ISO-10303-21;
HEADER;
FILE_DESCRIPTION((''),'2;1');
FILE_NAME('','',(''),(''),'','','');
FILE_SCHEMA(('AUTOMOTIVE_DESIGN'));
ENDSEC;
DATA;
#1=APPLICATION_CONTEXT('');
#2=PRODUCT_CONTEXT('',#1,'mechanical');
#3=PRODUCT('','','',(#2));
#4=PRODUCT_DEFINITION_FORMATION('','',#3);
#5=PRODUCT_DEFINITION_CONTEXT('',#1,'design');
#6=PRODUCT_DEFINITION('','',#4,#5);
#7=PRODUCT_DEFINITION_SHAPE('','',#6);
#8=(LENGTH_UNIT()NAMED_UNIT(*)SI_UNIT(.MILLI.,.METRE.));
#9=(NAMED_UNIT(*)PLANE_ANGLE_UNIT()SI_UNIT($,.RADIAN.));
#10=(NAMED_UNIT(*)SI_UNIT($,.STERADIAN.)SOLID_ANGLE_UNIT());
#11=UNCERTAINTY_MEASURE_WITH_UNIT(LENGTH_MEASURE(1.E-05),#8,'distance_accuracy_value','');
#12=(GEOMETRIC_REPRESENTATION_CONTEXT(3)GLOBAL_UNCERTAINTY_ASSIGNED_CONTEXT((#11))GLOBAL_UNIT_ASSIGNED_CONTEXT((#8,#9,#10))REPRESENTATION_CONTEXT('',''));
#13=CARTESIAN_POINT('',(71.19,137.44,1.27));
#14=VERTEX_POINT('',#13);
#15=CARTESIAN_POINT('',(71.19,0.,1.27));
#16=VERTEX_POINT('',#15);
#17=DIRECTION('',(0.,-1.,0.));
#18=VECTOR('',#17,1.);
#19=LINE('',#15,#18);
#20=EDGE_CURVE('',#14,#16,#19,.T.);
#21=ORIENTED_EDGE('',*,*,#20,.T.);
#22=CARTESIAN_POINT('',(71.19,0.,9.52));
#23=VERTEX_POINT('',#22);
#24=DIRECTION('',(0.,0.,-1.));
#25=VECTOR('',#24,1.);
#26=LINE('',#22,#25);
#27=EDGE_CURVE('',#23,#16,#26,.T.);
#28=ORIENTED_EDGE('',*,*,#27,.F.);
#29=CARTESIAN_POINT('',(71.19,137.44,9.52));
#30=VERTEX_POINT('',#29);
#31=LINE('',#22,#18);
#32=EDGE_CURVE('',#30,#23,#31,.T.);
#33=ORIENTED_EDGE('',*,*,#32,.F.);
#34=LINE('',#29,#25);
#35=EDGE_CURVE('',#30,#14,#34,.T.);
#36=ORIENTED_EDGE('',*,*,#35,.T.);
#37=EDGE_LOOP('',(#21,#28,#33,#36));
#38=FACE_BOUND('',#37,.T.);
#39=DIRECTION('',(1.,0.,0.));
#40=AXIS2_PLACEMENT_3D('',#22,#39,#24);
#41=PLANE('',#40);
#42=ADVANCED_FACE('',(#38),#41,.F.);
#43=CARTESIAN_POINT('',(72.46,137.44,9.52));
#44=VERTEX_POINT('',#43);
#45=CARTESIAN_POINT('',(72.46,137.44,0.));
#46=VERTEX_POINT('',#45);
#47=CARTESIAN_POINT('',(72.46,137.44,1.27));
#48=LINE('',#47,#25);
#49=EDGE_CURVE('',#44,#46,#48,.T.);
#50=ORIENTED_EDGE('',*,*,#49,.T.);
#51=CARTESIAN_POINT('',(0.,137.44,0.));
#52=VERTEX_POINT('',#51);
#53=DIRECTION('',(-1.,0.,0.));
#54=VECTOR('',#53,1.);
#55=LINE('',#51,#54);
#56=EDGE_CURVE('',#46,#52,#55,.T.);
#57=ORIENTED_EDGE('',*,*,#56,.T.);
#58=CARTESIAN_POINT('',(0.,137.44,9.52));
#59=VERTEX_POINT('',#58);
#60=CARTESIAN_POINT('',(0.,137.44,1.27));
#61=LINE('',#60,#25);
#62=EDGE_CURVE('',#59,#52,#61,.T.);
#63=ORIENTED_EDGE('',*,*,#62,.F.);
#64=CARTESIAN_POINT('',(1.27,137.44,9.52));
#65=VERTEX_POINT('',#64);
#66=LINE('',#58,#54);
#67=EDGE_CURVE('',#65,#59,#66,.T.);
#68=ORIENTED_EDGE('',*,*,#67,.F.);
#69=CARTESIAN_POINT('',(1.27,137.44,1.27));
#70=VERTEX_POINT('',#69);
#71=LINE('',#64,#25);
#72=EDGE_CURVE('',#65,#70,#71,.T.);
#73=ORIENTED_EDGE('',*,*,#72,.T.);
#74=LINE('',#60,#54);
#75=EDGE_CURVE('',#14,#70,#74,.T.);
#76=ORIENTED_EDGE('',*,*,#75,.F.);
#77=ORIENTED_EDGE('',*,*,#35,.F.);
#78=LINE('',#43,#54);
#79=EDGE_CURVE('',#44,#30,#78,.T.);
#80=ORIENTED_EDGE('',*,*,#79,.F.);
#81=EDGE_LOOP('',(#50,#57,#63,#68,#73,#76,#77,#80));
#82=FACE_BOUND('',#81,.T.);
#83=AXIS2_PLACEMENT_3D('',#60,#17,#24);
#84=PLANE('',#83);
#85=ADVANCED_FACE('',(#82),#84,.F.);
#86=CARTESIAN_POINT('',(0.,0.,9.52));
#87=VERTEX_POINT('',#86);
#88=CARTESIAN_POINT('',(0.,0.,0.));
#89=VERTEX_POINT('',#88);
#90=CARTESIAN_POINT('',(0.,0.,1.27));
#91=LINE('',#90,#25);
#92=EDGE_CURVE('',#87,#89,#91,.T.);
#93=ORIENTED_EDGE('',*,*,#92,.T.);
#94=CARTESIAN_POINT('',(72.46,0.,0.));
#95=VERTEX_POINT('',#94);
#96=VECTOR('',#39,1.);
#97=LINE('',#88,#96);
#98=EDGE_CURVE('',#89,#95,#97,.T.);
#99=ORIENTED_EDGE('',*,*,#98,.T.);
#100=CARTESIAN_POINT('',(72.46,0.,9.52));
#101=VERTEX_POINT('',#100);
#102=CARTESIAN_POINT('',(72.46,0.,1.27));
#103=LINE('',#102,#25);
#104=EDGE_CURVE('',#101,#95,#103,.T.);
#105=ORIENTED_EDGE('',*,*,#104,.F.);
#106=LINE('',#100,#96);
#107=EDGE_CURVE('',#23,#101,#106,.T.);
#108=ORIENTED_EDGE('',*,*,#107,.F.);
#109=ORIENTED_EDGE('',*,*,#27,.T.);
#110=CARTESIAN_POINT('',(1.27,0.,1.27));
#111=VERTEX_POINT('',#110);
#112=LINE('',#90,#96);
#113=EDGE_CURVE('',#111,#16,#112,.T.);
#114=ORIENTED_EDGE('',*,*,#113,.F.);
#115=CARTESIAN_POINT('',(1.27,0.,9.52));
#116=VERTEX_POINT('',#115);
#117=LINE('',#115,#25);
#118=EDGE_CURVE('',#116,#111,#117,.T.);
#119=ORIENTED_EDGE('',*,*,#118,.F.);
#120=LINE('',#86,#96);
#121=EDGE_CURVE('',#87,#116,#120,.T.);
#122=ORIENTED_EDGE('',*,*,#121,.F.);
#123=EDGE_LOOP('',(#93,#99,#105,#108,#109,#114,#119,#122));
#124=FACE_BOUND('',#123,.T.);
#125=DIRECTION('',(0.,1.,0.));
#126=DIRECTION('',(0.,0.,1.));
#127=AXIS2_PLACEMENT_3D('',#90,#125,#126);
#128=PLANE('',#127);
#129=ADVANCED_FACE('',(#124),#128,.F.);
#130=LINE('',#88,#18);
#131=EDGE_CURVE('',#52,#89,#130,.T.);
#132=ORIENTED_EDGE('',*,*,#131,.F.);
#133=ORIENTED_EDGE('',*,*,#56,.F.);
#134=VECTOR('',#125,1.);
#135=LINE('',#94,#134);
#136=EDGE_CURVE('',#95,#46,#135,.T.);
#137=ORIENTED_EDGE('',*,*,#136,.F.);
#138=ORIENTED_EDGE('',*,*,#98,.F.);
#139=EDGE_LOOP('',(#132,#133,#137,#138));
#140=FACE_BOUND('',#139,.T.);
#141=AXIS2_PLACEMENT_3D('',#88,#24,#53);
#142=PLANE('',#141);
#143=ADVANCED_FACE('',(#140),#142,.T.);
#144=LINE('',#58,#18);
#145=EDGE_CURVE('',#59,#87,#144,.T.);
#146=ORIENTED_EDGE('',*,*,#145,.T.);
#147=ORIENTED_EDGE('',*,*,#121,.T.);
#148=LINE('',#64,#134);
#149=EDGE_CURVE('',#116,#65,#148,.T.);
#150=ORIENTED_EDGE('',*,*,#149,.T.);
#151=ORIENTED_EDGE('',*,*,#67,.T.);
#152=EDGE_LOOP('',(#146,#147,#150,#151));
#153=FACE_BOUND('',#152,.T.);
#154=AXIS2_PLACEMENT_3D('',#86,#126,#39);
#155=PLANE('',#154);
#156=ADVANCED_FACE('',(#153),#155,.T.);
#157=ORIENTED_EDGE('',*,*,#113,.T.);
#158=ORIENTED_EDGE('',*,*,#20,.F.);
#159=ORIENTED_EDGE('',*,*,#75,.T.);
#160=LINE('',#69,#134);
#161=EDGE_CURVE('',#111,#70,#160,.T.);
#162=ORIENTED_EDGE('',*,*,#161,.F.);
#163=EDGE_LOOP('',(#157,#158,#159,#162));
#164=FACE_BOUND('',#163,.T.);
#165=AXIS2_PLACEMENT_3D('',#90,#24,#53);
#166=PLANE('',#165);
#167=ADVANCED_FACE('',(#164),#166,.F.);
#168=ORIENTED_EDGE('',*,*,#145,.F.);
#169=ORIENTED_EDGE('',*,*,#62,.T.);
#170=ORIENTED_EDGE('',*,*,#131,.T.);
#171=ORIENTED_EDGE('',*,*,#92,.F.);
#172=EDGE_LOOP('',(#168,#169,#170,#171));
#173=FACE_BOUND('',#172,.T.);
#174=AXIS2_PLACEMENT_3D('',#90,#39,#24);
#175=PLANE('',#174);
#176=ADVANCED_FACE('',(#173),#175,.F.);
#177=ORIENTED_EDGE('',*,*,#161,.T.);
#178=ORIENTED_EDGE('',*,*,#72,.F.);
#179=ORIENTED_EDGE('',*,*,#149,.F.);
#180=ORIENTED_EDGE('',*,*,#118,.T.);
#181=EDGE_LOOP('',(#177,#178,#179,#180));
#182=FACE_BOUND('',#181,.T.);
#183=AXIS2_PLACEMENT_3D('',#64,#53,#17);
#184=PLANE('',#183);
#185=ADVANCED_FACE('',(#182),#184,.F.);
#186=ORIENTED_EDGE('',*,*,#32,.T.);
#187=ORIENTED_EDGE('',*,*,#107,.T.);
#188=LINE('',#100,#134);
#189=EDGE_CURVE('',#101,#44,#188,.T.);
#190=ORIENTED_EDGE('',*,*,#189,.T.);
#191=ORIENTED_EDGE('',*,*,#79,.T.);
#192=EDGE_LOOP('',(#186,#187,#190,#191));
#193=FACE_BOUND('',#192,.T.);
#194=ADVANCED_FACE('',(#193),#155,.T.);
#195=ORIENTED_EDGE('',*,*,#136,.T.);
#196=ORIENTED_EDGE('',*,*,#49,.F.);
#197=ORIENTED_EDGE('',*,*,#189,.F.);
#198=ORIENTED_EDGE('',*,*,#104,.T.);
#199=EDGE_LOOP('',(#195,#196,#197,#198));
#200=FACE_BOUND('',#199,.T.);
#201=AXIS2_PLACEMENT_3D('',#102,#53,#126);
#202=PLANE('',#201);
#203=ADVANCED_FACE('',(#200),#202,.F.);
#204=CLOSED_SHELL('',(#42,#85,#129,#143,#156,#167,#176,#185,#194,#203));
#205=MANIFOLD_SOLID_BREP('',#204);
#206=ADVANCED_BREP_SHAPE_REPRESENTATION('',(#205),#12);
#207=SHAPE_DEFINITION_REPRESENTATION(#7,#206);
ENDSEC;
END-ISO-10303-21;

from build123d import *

# Parameters (mm, degrees)
SKETCH1_W           = 72.46
SKETCH1_H           = 137.44
BOSS_EXTRUDE1_DEPTH = 1.27
SKETCH2_W           = 1.27
SKETCH2_H           = 137.44
BOSS_EXTRUDE2_DEPTH = 8.25


with BuildPart() as part:
    # Sketch1 → Boss-Extrude1 (new body)
    with BuildSketch(Plane.XY):
        with Locations((36.23, 68.72)):
            Rectangle(SKETCH1_W, SKETCH1_H)
    extrude(amount=BOSS_EXTRUDE1_DEPTH)

    # Sketch2 → Boss-Extrude2 (add)
    with BuildSketch(Plane.XY.offset(1.27)):
        with Locations((0.635, 68.72)):
            Rectangle(SKETCH2_W, SKETCH2_H)
        with Locations((71.825, 68.72)):
            Rectangle(SKETCH2_W, SKETCH2_H)
    extrude(amount=BOSS_EXTRUDE2_DEPTH)


solid = part.part
